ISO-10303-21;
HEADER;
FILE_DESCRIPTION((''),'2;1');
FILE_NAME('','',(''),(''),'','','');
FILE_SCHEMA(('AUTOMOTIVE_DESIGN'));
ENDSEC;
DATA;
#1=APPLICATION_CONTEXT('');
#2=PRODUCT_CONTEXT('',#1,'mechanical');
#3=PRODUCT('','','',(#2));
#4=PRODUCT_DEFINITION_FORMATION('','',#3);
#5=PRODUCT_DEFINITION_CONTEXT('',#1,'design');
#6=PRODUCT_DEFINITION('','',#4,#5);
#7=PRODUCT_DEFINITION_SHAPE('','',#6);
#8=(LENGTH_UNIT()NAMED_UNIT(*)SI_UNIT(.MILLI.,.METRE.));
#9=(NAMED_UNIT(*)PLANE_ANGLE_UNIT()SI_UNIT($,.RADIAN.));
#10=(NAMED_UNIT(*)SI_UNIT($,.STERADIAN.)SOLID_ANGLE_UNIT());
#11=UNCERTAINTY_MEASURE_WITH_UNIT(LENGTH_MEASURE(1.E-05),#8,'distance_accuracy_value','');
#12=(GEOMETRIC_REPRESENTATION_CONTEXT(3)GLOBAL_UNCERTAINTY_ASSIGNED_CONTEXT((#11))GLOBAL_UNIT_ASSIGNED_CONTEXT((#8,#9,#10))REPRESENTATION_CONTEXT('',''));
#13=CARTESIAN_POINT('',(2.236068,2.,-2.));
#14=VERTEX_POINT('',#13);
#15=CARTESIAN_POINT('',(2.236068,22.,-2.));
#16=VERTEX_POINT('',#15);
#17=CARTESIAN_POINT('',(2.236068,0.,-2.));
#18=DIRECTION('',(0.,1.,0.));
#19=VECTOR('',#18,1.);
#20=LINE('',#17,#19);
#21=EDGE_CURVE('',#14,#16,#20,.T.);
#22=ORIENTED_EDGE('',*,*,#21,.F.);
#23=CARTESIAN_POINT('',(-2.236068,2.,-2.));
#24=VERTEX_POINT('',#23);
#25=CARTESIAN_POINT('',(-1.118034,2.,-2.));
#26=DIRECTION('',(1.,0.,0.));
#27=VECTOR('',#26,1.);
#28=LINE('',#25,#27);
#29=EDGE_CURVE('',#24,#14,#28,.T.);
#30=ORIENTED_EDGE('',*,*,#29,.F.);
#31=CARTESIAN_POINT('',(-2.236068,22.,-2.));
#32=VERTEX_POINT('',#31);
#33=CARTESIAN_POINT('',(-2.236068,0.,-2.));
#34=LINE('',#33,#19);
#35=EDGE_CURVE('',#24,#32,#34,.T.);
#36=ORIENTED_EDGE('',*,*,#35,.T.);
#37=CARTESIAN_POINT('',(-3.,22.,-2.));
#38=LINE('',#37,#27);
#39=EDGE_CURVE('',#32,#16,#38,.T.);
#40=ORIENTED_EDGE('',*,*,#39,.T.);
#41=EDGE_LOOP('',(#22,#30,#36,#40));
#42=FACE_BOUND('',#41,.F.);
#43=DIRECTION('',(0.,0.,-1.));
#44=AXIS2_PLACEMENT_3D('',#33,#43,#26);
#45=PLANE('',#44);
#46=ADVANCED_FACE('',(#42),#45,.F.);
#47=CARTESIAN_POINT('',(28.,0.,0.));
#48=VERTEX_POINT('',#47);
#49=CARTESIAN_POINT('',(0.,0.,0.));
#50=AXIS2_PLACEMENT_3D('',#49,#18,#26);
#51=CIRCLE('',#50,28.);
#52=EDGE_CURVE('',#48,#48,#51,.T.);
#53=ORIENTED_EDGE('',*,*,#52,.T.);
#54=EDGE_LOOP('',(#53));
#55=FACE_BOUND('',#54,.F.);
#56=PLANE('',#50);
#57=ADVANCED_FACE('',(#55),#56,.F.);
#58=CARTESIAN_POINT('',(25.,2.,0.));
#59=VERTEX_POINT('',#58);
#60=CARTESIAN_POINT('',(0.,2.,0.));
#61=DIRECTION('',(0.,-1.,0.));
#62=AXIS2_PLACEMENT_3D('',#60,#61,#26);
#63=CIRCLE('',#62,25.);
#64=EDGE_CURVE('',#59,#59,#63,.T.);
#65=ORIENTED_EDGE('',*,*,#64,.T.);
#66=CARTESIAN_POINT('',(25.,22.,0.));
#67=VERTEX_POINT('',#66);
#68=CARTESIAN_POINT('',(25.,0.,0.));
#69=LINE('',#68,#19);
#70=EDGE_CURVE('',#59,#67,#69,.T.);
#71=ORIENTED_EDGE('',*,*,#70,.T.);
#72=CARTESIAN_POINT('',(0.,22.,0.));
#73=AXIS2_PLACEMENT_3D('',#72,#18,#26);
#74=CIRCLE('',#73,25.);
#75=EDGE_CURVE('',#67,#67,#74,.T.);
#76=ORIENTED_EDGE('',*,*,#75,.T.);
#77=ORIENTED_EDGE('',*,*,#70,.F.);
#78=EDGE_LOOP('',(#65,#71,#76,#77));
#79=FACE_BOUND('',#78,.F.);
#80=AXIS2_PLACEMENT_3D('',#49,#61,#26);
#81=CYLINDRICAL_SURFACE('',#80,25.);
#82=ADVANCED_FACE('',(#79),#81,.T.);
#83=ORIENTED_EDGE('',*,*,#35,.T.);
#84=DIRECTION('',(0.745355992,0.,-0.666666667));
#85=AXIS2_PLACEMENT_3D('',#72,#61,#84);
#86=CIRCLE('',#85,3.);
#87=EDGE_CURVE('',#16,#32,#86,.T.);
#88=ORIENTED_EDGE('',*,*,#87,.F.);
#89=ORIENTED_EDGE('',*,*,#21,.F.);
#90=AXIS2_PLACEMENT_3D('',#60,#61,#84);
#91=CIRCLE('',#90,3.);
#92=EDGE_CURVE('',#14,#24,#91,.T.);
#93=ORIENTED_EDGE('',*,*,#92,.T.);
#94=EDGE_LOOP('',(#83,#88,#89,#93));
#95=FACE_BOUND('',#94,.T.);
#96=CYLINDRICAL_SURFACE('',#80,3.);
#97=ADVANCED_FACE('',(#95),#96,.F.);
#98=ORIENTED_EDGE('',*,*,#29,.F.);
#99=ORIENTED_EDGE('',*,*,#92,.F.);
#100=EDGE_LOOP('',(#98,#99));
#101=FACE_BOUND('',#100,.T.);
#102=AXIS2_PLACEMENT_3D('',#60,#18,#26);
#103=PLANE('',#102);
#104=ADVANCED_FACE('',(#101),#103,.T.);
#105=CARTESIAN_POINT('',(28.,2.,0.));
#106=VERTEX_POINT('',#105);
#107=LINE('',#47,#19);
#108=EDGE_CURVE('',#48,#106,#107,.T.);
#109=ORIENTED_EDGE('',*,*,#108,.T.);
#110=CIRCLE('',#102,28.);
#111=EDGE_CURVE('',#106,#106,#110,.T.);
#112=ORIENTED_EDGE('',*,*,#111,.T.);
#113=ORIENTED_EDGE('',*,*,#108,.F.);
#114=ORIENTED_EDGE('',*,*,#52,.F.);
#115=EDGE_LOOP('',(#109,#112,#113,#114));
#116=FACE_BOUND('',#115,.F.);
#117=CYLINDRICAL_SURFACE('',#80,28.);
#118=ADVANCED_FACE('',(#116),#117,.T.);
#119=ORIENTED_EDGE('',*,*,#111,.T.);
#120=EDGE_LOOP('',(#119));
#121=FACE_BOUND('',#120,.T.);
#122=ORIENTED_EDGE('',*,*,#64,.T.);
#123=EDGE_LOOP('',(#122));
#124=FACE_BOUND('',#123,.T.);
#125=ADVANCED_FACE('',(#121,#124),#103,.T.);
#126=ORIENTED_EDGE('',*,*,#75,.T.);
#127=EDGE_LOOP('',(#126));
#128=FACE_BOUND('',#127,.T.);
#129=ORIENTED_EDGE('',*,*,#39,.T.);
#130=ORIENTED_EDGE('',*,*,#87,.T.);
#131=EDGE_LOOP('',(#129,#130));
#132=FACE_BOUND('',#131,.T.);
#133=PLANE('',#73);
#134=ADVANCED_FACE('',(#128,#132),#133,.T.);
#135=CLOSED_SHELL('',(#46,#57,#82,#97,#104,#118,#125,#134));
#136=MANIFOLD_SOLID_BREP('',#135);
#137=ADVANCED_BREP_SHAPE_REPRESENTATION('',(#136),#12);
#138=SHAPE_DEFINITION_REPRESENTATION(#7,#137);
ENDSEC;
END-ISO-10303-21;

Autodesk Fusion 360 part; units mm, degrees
sketch "스케치1" plane through (0, 0, 0) normal (0, 1, 0) x (1, 0, 0)
  circle A0 centre (0, 0) radius 3
  line L0 (-3, 2) -> (3, 2)
  line L1 (3, 2) -> (3, -3)
  line L2 (3, -3) -> (-3, -3)
  line L3 (-3, -3) -> (-3, 2)
  circle A1 centre (0, 0) radius 25
  dimension "d1" = 6
  dimension "d2" = 5
  dimension "d3" = 50
extrude "돌출1" add sketch "스케치1" along normal blind 22 contours A0 L1 L2 | A0 L0 L1 | A0 L0 | A0 L2 L3 | A0 L0 L3 | A1 picked at (-0.1397, 2.3235)
sketch "스케치2" plane through (0, 0, 0) normal (0, 1, 0) x (1, 0, 0)
  circle A0 centre (0, 0) radius 28
  dimension "d6" = 56
extrude "돌출2" add sketch "스케치2" along normal blind 2
